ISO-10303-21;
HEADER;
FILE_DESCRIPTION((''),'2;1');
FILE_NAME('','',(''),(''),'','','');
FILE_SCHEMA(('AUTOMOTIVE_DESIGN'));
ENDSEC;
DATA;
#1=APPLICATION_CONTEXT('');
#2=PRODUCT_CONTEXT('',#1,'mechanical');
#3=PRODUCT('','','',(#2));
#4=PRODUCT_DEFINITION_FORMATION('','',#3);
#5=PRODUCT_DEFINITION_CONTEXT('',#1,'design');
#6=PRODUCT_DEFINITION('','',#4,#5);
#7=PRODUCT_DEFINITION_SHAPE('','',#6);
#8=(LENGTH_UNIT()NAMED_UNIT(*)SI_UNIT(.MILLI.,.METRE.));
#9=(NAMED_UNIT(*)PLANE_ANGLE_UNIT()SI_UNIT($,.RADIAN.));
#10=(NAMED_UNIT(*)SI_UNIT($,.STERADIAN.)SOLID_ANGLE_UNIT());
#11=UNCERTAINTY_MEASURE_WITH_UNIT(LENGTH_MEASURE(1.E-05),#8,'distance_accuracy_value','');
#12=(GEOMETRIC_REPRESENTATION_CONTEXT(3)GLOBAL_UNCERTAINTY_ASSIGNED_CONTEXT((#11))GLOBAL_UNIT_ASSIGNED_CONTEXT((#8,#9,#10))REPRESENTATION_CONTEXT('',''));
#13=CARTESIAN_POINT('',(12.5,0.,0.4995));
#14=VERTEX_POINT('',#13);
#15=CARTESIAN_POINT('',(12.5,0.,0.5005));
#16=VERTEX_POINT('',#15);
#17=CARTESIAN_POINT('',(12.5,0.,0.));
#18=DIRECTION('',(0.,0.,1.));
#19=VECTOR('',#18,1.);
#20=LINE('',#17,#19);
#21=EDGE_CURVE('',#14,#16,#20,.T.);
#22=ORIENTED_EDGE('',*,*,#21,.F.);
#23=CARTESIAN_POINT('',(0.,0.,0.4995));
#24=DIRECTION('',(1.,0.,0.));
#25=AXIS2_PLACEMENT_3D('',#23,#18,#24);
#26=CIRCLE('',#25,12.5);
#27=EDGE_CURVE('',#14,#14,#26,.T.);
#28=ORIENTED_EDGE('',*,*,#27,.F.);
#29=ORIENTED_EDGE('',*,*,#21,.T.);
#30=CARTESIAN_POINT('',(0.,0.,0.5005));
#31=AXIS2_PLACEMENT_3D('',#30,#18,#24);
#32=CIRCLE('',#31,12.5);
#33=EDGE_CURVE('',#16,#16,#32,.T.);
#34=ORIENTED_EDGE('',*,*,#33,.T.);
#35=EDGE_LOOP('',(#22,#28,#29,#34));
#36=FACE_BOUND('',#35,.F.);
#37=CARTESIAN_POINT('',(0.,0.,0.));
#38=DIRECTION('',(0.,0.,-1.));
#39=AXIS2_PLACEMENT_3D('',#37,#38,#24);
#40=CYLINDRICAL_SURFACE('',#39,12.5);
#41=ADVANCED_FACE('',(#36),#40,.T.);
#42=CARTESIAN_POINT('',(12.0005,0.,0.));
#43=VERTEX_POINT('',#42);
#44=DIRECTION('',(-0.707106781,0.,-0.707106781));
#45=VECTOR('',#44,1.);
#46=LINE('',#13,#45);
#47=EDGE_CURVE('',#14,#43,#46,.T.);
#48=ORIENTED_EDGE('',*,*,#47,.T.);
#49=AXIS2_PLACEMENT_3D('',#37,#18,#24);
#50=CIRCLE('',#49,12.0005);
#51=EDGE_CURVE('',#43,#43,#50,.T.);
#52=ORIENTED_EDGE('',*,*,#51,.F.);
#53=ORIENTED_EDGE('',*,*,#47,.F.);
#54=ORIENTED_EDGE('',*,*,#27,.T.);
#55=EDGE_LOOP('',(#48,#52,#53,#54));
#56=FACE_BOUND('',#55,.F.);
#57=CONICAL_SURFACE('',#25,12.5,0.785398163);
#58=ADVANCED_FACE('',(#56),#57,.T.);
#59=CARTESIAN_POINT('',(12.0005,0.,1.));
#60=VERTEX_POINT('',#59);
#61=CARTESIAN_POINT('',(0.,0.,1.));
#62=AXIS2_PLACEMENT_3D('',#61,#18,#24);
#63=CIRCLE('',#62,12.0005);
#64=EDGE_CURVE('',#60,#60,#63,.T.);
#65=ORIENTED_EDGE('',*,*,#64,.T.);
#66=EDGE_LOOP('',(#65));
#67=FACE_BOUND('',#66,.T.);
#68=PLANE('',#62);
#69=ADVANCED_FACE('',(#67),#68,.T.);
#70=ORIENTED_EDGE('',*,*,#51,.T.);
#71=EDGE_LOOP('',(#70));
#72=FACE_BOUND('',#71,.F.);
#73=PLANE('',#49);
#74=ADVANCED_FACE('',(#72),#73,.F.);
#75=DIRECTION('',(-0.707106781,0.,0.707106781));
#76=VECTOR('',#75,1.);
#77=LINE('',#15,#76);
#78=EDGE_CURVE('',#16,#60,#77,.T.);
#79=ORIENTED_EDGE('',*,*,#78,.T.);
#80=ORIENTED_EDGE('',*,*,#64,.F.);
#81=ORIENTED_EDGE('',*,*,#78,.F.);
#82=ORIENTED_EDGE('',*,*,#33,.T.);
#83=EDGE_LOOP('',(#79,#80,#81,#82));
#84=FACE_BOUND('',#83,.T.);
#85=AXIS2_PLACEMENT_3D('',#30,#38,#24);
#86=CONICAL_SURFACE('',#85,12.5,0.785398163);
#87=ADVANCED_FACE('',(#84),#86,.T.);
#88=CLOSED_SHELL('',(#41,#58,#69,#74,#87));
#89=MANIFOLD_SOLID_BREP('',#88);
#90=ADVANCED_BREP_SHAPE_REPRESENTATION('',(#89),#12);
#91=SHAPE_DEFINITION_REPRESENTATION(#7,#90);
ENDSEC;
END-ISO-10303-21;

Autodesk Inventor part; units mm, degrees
ref_plane "YZ Plane" through (0, 0, 0) normal (1, 0, 0) x (0, 1, 0)
ref_plane "XZ Plane" through (0, 0, 0) normal (0, 1, 0) x (-1, 0, 0)
ref_plane "XY Plane" through (0, 0, 0) normal (0, 0, 1) x (1, 0, 0)
sketch "Sketch1" plane through (0, 0, 0) normal (0, 0, 1) x (1, 0, 0)
  circle A0 centre (0, 0) radius 12.5
  circle A1 centre (0, 0) radius 2.75 construction
  dimension "d0" = 25
  dimension "d1" = 5.5
extrude "Extrusion1" add sketch "Sketch1" along normal blind 1
chamfer "Chamfer1" distance 0.5 angle 45 2 edges at (-12.5, 0, 0) (-12.5, 0, 1)
properties part number "RegulatorRubberSheet"
